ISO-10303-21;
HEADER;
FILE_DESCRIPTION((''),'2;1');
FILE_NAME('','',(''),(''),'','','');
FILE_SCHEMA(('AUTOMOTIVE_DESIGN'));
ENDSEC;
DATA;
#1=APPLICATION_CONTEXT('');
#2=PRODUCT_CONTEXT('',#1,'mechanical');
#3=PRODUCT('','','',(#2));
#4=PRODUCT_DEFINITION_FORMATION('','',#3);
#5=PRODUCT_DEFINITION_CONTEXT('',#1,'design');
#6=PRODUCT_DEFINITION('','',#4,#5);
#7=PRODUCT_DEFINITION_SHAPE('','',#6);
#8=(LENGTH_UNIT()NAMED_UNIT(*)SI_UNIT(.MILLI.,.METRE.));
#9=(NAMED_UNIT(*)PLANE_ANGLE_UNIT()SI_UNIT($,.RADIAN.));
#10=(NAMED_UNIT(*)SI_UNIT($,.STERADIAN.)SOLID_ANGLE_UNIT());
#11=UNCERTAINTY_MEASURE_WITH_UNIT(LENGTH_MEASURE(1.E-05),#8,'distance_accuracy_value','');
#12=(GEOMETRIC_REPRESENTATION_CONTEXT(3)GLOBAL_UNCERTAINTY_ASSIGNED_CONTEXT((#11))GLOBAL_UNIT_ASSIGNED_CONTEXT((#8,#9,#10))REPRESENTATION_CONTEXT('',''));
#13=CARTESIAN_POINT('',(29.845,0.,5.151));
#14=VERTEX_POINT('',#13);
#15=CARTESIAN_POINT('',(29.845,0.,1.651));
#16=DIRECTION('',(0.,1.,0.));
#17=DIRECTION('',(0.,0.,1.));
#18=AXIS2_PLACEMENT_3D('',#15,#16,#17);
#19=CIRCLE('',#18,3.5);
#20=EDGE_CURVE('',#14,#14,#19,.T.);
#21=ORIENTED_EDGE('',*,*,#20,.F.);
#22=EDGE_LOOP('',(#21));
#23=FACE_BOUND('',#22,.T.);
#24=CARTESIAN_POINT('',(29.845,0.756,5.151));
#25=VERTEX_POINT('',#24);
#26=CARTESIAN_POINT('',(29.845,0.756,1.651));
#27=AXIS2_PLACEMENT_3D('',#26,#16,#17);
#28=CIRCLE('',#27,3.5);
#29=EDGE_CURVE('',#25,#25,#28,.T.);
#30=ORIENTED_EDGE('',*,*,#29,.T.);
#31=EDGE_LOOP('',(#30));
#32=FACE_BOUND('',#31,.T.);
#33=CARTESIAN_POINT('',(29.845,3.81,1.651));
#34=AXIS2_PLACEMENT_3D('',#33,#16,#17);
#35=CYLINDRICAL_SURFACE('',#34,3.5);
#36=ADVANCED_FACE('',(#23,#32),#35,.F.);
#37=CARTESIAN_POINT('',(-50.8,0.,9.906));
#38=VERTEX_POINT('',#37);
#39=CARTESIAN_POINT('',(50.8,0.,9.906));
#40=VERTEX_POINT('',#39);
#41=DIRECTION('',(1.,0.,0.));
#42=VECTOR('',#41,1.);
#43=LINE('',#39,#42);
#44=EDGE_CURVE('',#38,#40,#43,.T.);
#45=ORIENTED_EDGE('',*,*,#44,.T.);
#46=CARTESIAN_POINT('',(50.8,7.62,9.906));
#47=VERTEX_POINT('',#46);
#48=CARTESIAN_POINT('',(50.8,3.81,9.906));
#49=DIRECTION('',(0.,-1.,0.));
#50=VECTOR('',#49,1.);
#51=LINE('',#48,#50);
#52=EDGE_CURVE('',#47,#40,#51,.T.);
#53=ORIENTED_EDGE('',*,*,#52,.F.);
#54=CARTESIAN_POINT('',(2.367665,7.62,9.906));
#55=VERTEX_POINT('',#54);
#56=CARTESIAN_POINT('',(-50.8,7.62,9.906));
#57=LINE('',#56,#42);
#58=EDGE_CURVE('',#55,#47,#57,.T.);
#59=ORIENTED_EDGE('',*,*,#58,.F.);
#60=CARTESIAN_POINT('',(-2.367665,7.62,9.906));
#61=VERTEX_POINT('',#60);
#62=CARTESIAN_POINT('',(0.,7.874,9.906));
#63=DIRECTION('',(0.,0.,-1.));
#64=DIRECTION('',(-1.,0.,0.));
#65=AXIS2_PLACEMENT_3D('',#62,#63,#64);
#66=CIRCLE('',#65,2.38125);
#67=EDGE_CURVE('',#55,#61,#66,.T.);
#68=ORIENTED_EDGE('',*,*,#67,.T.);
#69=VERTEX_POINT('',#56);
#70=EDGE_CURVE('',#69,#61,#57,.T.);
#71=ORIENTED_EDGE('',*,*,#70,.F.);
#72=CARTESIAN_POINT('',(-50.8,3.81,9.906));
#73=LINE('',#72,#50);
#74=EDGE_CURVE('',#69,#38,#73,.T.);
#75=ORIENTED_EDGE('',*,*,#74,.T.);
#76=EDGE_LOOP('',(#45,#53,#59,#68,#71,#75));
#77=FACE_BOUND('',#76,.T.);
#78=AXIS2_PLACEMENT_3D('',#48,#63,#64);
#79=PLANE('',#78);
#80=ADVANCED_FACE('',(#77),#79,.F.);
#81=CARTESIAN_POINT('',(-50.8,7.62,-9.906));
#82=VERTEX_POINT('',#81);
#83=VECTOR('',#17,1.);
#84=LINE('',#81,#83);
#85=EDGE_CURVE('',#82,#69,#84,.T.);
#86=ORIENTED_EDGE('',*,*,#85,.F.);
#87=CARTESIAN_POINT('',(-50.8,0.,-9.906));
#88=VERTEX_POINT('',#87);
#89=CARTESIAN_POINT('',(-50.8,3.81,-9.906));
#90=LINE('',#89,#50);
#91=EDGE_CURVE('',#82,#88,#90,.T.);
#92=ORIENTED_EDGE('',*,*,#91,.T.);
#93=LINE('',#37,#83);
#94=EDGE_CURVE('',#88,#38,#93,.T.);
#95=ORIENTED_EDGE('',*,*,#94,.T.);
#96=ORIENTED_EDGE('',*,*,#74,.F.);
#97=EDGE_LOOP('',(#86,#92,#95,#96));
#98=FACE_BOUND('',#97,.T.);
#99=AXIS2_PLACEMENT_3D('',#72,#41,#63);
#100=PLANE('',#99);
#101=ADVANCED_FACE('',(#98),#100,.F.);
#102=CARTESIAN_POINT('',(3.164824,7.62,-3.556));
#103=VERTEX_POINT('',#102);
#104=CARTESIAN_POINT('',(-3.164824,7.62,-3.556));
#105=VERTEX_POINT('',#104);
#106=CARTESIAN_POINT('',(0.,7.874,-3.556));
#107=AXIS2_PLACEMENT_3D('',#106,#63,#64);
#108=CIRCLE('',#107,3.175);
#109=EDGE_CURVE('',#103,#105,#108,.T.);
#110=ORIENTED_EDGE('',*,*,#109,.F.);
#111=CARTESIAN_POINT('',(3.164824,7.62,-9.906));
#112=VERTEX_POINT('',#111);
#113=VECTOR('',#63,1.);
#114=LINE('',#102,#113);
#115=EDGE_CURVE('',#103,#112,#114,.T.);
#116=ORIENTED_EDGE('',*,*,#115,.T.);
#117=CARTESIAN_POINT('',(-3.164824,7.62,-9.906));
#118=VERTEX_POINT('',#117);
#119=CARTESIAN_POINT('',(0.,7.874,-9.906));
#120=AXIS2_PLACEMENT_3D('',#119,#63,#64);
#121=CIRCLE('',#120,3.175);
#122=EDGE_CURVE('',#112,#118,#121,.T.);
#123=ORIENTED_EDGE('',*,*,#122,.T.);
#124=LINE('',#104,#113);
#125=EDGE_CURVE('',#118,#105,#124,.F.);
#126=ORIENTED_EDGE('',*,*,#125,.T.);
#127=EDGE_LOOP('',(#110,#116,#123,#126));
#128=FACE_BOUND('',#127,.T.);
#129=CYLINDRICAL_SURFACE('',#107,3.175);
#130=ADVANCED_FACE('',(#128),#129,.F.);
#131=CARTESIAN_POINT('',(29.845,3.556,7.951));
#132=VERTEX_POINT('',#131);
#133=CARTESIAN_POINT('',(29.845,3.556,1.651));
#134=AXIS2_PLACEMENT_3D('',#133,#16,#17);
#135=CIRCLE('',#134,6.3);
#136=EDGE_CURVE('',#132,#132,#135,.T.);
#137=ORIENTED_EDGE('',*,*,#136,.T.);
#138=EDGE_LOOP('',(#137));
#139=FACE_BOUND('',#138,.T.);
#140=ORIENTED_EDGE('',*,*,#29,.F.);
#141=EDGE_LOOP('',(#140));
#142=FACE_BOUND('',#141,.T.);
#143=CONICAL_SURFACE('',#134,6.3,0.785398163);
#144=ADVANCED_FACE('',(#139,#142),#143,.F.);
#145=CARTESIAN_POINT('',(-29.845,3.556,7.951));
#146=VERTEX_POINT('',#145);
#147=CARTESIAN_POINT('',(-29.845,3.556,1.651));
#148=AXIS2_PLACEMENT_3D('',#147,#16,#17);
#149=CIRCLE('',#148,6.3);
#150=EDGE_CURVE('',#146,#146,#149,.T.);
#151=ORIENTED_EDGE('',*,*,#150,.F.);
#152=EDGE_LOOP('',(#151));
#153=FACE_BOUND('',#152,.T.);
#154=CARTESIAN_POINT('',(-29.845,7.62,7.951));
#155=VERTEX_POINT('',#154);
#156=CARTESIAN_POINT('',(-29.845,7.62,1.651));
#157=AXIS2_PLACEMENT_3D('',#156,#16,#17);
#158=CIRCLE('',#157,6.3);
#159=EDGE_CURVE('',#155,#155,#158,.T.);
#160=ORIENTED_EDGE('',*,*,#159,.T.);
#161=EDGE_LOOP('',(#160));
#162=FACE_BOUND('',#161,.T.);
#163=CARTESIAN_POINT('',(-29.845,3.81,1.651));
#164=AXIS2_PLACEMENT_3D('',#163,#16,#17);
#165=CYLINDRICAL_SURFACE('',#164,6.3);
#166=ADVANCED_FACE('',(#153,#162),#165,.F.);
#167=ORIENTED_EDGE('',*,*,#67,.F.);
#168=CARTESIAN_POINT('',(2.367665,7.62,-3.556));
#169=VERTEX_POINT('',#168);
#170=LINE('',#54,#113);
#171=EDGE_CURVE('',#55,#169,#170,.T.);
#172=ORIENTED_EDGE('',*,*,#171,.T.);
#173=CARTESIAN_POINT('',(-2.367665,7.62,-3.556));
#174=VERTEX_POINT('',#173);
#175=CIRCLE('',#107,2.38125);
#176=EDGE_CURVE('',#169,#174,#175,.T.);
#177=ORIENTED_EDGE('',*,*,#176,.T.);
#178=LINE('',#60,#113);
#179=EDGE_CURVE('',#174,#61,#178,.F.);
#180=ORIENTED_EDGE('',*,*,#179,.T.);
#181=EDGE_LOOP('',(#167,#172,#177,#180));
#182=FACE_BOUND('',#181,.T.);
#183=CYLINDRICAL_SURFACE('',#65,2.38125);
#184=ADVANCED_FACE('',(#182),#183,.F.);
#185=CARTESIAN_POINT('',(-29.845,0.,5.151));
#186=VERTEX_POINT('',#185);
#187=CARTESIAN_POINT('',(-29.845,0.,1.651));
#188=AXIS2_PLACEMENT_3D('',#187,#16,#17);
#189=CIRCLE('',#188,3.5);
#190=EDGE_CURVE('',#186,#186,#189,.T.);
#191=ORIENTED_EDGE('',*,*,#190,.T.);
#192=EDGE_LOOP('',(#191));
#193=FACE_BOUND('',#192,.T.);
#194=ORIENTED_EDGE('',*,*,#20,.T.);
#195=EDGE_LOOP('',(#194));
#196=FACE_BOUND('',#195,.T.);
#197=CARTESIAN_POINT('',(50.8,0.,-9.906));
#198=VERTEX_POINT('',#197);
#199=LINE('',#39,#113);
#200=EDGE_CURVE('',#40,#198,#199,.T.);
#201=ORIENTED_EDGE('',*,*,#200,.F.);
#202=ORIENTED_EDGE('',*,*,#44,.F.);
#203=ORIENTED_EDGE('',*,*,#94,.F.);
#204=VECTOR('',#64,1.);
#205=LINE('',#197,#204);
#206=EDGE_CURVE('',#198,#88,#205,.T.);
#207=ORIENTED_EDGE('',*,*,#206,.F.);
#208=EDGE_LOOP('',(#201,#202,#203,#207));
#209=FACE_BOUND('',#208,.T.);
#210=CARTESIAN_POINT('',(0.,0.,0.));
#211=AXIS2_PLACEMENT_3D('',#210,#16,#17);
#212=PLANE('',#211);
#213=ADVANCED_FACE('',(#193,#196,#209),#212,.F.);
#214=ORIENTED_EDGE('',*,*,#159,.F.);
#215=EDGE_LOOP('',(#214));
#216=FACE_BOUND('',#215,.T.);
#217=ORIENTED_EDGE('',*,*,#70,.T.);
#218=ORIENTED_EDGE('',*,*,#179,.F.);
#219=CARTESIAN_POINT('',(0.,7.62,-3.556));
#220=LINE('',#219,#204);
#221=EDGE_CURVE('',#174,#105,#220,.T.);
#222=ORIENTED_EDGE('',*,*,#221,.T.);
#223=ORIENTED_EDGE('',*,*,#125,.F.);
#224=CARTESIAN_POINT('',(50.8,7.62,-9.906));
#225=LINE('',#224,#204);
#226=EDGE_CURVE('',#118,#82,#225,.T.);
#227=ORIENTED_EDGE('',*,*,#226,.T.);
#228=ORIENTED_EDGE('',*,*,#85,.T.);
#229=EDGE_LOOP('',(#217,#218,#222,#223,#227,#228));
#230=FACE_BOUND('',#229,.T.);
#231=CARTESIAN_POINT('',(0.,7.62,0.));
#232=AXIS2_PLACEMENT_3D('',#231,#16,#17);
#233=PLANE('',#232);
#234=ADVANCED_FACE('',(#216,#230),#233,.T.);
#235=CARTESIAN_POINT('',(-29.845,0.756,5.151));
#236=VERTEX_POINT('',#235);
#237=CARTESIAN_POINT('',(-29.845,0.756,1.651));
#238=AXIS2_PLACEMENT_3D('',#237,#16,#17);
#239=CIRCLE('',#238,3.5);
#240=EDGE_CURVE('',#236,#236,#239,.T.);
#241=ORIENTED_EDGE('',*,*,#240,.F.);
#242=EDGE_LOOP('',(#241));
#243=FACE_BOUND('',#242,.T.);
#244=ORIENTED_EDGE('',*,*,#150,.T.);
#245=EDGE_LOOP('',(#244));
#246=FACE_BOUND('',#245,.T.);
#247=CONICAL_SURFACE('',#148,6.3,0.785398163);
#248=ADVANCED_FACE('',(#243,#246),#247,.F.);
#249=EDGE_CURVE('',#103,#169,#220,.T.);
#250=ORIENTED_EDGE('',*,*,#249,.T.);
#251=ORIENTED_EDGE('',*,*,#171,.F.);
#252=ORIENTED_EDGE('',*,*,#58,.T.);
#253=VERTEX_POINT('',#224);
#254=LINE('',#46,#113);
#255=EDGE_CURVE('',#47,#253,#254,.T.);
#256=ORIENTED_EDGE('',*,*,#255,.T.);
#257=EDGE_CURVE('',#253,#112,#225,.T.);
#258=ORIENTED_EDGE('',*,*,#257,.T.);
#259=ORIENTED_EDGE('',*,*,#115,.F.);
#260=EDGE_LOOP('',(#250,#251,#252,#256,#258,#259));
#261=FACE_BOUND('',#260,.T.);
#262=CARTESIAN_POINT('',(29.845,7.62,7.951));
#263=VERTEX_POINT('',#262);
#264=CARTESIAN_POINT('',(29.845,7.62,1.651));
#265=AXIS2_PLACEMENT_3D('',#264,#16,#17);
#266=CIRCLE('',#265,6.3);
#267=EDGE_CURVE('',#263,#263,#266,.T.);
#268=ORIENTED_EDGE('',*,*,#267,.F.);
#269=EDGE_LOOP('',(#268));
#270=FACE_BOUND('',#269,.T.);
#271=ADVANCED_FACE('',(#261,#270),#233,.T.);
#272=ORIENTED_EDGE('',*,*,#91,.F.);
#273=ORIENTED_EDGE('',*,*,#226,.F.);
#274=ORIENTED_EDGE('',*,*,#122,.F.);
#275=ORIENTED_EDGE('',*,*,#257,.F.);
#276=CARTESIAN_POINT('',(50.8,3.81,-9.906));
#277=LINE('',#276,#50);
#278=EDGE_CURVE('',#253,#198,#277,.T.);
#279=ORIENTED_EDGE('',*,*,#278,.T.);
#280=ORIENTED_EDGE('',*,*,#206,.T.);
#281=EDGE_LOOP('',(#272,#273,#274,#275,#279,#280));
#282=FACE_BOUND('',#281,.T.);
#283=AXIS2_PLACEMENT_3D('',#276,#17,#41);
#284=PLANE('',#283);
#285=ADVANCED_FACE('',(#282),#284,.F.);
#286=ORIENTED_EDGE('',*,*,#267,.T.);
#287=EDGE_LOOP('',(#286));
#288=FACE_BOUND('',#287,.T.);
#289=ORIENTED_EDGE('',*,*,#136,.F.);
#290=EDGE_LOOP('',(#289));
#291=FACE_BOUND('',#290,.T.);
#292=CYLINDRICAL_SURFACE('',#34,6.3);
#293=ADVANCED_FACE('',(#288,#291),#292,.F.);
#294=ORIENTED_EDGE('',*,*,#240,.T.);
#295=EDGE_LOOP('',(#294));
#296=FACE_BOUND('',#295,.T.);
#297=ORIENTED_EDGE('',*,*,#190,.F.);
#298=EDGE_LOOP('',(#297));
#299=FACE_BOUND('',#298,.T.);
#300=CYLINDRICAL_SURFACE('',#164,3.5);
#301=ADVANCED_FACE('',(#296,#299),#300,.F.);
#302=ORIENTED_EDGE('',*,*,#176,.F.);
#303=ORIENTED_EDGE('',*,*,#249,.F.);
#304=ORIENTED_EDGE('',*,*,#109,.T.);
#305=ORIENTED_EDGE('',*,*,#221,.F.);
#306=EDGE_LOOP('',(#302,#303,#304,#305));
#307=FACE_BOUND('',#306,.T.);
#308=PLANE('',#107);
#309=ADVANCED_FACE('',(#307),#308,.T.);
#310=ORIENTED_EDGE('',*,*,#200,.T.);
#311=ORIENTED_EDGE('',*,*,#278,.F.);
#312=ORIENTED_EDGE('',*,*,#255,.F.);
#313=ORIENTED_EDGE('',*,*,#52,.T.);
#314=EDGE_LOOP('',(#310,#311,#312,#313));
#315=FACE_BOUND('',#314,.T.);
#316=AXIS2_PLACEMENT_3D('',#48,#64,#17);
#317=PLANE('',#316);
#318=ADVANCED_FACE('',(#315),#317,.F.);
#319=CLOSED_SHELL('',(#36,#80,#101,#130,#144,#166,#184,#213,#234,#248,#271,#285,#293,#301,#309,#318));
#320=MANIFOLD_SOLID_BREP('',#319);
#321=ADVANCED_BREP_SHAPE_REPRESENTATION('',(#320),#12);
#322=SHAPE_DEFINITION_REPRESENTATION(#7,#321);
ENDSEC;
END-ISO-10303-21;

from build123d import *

# Parameters (mm, degrees)
SKETCH1_W                                    = 101.6
SKETCH1_H                                    = 19.812
BOSS_EXTRUDE1_DEPTH                          = 3.81
CSK_FOR_M6_COUNTERSUNK_FLAT_HEAD_SCR_2_COUNT = 2
CSK_FOR_M6_COUNTERSUNK_FLAT_HEAD_SCR_2_PITCH = 59.69
SKETCH5_W                                    = 101.6
SKETCH5_H                                    = 19.812
SKETCH5_R                                    = 6.3
BOSS_EXTRUDE2_DEPTH                          = 3.81
SKETCH6_R                                    = 3.175
CUT_EXTRUDE1_DEPTH                           = 6.35
CUT_EXTRUDE2_DEPTH                           = 7.35
CUT_EXTRUDE2_DEPTH_BACK                      = 14.462


with BuildPart() as part:
    # Sketch1 → Boss-Extrude1 (new body)
    with BuildSketch(Plane(origin=(0, 0, 0), x_dir=(1, 0, 0), z_dir=(0, 1, 0))):
        Rectangle(SKETCH1_W, SKETCH1_H)
    extrude(amount=BOSS_EXTRUDE1_DEPTH)

    # Sketch4 → CSK for M6 Countersunk Flat Head Screw1 (revolve, cut)
    with BuildSketch(Plane(origin=(-29.845, 3.81, 1.651), x_dir=(0, 0, 1), z_dir=(1, 0, 0))):
        Polygon((0, 0), (0, 3.81), (3.5, 3.81), (3.5, 3.054), (6.3, 0.254), (6.3, 0), align=None)
    csk_for_m6_countersunk_flat_head_screw1 = revolve(axis=Axis((-29.845, 10.16, 1.651), (0, -1, 0)), mode=Mode.SUBTRACT)

    # CSK for M6 Countersunk Flat Head Scr 2: CSK for M6 Countersunk Flat Head Screw1 ×2
    with Locations(*[(i * CSK_FOR_M6_COUNTERSUNK_FLAT_HEAD_SCR_2_PITCH, 0, 0) for i in range(1, CSK_FOR_M6_COUNTERSUNK_FLAT_HEAD_SCR_2_COUNT)]):
        add(csk_for_m6_countersunk_flat_head_screw1, mode=Mode.SUBTRACT)

    # Sketch5 → Boss-Extrude2 (add)
    with BuildSketch(Plane(origin=(0, 3.81, 0), x_dir=(1, 0, 0), z_dir=(0, 1, 0))):
        Rectangle(SKETCH5_W, SKETCH5_H)
        with Locations((-29.845, -1.651)):
            Circle(SKETCH5_R, mode=Mode.SUBTRACT)
        with Locations((29.845, -1.651)):
            Circle(SKETCH5_R, mode=Mode.SUBTRACT)
    extrude(amount=BOSS_EXTRUDE2_DEPTH)

    # Sketch6 → Cut-Extrude1 (cut)
    with BuildSketch(Plane(origin=(0, 0, -9.906), x_dir=(-1, 0, 0), z_dir=(0, 0, -1))):
        with Locations((0, 7.874)):
            Circle(SKETCH6_R)
    extrude(amount=-CUT_EXTRUDE1_DEPTH, mode=Mode.SUBTRACT)

    # Sketch7 → Cut-Extrude2 (cut, two sides)
    with BuildSketch(Plane(origin=(0, 0, -3.556), x_dir=(-1, 0, 0), z_dir=(0, 0, -1))) as cut_extrude2_sk:
        with BuildLine():
            ThreePointArc((-2.36766458, 7.62), (0, 5.49275), (2.36766458, 7.62))
            Line((2.36766458, 7.62), (-2.36766458, 7.62))
        make_face()
        with BuildLine():
            Line((-2.36766458, 7.62), (2.36766458, 7.62))
            ThreePointArc((2.36766458, 7.62), (2.377851219, 7.746818473), (2.38125, 7.874))
            ThreePointArc((2.38125, 7.874), (-0.127181527, 10.251851219), (-2.36766458, 7.62))
        make_face()
    extrude(amount=CUT_EXTRUDE2_DEPTH, mode=Mode.SUBTRACT)
    extrude(cut_extrude2_sk.sketch, amount=-CUT_EXTRUDE2_DEPTH_BACK, mode=Mode.SUBTRACT)


solid = part.part
